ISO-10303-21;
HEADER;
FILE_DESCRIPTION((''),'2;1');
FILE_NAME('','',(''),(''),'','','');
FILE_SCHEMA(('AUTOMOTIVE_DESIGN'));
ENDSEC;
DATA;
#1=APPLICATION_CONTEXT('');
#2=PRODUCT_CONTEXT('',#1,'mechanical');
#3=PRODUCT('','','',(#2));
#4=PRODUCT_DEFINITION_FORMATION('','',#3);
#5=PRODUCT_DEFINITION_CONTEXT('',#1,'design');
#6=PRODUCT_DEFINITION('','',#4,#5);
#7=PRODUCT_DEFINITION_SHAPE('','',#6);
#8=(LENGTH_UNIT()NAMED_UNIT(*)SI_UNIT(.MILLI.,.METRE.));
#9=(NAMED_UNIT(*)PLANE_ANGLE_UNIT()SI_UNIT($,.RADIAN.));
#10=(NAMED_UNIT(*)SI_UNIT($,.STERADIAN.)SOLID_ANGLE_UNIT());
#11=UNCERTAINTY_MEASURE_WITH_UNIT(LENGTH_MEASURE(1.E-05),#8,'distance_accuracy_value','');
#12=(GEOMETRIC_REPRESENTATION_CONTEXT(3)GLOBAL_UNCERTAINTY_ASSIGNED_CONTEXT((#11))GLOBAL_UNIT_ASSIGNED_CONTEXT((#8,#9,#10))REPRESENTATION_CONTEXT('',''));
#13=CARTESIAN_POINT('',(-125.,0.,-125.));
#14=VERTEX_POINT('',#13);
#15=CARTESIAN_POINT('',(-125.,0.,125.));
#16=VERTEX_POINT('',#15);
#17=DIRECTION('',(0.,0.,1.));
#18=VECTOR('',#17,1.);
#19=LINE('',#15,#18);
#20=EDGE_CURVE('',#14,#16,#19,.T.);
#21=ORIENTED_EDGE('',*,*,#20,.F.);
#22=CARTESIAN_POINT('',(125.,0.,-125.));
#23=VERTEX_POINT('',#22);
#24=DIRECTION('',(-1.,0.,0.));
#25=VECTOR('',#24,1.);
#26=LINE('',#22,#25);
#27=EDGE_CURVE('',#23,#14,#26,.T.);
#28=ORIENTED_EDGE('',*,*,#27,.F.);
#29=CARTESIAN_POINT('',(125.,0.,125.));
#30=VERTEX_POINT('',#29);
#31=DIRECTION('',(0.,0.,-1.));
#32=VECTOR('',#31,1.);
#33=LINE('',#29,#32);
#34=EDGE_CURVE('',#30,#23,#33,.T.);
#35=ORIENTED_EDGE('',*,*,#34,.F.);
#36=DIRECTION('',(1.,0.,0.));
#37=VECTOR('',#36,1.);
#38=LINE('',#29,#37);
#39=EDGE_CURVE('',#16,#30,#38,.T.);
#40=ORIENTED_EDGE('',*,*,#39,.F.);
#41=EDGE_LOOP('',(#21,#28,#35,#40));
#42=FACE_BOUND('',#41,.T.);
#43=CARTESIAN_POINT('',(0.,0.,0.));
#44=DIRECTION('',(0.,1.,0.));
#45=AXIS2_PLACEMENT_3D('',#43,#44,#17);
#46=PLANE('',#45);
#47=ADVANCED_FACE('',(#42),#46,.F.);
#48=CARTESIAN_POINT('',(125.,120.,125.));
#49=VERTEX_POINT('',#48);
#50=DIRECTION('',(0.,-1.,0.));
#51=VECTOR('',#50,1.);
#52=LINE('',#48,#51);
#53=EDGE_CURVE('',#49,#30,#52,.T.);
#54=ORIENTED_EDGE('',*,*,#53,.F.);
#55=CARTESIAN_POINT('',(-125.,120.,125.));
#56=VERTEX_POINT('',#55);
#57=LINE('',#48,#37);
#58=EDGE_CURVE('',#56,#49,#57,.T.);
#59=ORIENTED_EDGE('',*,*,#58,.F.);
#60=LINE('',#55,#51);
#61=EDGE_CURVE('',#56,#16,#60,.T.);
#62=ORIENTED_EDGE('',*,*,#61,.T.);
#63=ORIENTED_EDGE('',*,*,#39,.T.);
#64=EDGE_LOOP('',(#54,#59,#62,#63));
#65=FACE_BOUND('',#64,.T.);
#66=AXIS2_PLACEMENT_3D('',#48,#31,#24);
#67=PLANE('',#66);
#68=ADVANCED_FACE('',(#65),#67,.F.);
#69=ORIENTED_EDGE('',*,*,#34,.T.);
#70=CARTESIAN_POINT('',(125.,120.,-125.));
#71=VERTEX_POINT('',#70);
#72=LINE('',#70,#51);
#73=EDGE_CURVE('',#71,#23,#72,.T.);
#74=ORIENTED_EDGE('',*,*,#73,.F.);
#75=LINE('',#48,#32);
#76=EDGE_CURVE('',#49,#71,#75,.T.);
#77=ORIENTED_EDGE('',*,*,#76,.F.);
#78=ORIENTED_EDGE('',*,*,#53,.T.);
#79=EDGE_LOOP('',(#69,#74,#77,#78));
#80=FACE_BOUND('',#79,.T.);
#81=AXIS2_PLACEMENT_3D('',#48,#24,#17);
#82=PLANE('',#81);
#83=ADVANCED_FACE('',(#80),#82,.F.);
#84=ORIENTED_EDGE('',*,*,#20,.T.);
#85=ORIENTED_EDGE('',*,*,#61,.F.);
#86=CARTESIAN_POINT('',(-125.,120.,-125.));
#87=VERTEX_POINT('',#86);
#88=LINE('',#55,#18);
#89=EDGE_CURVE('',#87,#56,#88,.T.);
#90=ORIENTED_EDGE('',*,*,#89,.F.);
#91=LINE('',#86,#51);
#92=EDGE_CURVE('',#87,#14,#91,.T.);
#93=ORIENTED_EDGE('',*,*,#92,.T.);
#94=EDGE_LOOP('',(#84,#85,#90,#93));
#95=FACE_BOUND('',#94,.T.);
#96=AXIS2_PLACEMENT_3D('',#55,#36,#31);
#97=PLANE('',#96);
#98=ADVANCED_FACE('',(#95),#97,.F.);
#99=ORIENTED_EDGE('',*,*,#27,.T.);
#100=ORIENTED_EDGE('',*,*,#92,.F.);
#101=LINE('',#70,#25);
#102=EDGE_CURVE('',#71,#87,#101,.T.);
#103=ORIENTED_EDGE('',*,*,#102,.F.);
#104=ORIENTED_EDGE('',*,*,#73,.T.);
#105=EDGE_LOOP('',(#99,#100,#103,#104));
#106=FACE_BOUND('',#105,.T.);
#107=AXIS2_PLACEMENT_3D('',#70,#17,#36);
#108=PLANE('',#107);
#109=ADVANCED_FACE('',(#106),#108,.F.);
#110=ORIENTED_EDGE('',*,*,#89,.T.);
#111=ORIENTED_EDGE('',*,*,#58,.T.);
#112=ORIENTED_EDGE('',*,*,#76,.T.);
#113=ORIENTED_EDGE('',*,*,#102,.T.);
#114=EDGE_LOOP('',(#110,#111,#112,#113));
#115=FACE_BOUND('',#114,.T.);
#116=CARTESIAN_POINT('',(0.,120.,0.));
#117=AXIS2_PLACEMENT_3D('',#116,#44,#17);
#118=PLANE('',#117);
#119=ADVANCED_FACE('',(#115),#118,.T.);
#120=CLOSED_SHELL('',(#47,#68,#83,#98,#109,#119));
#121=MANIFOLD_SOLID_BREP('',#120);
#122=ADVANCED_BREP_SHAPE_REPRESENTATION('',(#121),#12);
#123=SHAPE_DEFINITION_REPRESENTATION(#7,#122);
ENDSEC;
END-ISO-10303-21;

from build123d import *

# Parameters (mm, degrees)
SKETCH1_W           = 250
SKETCH1_H           = 250
BOSS_EXTRUDE1_DEPTH = 120


with BuildPart() as part:
    # Sketch1 → Boss-Extrude1 (new body)
    with BuildSketch(Plane(origin=(0, 0, 0), x_dir=(1, 0, 0), z_dir=(0, 1, 0))):
        Rectangle(SKETCH1_W, SKETCH1_H)
    extrude(amount=BOSS_EXTRUDE1_DEPTH)


solid = part.part
